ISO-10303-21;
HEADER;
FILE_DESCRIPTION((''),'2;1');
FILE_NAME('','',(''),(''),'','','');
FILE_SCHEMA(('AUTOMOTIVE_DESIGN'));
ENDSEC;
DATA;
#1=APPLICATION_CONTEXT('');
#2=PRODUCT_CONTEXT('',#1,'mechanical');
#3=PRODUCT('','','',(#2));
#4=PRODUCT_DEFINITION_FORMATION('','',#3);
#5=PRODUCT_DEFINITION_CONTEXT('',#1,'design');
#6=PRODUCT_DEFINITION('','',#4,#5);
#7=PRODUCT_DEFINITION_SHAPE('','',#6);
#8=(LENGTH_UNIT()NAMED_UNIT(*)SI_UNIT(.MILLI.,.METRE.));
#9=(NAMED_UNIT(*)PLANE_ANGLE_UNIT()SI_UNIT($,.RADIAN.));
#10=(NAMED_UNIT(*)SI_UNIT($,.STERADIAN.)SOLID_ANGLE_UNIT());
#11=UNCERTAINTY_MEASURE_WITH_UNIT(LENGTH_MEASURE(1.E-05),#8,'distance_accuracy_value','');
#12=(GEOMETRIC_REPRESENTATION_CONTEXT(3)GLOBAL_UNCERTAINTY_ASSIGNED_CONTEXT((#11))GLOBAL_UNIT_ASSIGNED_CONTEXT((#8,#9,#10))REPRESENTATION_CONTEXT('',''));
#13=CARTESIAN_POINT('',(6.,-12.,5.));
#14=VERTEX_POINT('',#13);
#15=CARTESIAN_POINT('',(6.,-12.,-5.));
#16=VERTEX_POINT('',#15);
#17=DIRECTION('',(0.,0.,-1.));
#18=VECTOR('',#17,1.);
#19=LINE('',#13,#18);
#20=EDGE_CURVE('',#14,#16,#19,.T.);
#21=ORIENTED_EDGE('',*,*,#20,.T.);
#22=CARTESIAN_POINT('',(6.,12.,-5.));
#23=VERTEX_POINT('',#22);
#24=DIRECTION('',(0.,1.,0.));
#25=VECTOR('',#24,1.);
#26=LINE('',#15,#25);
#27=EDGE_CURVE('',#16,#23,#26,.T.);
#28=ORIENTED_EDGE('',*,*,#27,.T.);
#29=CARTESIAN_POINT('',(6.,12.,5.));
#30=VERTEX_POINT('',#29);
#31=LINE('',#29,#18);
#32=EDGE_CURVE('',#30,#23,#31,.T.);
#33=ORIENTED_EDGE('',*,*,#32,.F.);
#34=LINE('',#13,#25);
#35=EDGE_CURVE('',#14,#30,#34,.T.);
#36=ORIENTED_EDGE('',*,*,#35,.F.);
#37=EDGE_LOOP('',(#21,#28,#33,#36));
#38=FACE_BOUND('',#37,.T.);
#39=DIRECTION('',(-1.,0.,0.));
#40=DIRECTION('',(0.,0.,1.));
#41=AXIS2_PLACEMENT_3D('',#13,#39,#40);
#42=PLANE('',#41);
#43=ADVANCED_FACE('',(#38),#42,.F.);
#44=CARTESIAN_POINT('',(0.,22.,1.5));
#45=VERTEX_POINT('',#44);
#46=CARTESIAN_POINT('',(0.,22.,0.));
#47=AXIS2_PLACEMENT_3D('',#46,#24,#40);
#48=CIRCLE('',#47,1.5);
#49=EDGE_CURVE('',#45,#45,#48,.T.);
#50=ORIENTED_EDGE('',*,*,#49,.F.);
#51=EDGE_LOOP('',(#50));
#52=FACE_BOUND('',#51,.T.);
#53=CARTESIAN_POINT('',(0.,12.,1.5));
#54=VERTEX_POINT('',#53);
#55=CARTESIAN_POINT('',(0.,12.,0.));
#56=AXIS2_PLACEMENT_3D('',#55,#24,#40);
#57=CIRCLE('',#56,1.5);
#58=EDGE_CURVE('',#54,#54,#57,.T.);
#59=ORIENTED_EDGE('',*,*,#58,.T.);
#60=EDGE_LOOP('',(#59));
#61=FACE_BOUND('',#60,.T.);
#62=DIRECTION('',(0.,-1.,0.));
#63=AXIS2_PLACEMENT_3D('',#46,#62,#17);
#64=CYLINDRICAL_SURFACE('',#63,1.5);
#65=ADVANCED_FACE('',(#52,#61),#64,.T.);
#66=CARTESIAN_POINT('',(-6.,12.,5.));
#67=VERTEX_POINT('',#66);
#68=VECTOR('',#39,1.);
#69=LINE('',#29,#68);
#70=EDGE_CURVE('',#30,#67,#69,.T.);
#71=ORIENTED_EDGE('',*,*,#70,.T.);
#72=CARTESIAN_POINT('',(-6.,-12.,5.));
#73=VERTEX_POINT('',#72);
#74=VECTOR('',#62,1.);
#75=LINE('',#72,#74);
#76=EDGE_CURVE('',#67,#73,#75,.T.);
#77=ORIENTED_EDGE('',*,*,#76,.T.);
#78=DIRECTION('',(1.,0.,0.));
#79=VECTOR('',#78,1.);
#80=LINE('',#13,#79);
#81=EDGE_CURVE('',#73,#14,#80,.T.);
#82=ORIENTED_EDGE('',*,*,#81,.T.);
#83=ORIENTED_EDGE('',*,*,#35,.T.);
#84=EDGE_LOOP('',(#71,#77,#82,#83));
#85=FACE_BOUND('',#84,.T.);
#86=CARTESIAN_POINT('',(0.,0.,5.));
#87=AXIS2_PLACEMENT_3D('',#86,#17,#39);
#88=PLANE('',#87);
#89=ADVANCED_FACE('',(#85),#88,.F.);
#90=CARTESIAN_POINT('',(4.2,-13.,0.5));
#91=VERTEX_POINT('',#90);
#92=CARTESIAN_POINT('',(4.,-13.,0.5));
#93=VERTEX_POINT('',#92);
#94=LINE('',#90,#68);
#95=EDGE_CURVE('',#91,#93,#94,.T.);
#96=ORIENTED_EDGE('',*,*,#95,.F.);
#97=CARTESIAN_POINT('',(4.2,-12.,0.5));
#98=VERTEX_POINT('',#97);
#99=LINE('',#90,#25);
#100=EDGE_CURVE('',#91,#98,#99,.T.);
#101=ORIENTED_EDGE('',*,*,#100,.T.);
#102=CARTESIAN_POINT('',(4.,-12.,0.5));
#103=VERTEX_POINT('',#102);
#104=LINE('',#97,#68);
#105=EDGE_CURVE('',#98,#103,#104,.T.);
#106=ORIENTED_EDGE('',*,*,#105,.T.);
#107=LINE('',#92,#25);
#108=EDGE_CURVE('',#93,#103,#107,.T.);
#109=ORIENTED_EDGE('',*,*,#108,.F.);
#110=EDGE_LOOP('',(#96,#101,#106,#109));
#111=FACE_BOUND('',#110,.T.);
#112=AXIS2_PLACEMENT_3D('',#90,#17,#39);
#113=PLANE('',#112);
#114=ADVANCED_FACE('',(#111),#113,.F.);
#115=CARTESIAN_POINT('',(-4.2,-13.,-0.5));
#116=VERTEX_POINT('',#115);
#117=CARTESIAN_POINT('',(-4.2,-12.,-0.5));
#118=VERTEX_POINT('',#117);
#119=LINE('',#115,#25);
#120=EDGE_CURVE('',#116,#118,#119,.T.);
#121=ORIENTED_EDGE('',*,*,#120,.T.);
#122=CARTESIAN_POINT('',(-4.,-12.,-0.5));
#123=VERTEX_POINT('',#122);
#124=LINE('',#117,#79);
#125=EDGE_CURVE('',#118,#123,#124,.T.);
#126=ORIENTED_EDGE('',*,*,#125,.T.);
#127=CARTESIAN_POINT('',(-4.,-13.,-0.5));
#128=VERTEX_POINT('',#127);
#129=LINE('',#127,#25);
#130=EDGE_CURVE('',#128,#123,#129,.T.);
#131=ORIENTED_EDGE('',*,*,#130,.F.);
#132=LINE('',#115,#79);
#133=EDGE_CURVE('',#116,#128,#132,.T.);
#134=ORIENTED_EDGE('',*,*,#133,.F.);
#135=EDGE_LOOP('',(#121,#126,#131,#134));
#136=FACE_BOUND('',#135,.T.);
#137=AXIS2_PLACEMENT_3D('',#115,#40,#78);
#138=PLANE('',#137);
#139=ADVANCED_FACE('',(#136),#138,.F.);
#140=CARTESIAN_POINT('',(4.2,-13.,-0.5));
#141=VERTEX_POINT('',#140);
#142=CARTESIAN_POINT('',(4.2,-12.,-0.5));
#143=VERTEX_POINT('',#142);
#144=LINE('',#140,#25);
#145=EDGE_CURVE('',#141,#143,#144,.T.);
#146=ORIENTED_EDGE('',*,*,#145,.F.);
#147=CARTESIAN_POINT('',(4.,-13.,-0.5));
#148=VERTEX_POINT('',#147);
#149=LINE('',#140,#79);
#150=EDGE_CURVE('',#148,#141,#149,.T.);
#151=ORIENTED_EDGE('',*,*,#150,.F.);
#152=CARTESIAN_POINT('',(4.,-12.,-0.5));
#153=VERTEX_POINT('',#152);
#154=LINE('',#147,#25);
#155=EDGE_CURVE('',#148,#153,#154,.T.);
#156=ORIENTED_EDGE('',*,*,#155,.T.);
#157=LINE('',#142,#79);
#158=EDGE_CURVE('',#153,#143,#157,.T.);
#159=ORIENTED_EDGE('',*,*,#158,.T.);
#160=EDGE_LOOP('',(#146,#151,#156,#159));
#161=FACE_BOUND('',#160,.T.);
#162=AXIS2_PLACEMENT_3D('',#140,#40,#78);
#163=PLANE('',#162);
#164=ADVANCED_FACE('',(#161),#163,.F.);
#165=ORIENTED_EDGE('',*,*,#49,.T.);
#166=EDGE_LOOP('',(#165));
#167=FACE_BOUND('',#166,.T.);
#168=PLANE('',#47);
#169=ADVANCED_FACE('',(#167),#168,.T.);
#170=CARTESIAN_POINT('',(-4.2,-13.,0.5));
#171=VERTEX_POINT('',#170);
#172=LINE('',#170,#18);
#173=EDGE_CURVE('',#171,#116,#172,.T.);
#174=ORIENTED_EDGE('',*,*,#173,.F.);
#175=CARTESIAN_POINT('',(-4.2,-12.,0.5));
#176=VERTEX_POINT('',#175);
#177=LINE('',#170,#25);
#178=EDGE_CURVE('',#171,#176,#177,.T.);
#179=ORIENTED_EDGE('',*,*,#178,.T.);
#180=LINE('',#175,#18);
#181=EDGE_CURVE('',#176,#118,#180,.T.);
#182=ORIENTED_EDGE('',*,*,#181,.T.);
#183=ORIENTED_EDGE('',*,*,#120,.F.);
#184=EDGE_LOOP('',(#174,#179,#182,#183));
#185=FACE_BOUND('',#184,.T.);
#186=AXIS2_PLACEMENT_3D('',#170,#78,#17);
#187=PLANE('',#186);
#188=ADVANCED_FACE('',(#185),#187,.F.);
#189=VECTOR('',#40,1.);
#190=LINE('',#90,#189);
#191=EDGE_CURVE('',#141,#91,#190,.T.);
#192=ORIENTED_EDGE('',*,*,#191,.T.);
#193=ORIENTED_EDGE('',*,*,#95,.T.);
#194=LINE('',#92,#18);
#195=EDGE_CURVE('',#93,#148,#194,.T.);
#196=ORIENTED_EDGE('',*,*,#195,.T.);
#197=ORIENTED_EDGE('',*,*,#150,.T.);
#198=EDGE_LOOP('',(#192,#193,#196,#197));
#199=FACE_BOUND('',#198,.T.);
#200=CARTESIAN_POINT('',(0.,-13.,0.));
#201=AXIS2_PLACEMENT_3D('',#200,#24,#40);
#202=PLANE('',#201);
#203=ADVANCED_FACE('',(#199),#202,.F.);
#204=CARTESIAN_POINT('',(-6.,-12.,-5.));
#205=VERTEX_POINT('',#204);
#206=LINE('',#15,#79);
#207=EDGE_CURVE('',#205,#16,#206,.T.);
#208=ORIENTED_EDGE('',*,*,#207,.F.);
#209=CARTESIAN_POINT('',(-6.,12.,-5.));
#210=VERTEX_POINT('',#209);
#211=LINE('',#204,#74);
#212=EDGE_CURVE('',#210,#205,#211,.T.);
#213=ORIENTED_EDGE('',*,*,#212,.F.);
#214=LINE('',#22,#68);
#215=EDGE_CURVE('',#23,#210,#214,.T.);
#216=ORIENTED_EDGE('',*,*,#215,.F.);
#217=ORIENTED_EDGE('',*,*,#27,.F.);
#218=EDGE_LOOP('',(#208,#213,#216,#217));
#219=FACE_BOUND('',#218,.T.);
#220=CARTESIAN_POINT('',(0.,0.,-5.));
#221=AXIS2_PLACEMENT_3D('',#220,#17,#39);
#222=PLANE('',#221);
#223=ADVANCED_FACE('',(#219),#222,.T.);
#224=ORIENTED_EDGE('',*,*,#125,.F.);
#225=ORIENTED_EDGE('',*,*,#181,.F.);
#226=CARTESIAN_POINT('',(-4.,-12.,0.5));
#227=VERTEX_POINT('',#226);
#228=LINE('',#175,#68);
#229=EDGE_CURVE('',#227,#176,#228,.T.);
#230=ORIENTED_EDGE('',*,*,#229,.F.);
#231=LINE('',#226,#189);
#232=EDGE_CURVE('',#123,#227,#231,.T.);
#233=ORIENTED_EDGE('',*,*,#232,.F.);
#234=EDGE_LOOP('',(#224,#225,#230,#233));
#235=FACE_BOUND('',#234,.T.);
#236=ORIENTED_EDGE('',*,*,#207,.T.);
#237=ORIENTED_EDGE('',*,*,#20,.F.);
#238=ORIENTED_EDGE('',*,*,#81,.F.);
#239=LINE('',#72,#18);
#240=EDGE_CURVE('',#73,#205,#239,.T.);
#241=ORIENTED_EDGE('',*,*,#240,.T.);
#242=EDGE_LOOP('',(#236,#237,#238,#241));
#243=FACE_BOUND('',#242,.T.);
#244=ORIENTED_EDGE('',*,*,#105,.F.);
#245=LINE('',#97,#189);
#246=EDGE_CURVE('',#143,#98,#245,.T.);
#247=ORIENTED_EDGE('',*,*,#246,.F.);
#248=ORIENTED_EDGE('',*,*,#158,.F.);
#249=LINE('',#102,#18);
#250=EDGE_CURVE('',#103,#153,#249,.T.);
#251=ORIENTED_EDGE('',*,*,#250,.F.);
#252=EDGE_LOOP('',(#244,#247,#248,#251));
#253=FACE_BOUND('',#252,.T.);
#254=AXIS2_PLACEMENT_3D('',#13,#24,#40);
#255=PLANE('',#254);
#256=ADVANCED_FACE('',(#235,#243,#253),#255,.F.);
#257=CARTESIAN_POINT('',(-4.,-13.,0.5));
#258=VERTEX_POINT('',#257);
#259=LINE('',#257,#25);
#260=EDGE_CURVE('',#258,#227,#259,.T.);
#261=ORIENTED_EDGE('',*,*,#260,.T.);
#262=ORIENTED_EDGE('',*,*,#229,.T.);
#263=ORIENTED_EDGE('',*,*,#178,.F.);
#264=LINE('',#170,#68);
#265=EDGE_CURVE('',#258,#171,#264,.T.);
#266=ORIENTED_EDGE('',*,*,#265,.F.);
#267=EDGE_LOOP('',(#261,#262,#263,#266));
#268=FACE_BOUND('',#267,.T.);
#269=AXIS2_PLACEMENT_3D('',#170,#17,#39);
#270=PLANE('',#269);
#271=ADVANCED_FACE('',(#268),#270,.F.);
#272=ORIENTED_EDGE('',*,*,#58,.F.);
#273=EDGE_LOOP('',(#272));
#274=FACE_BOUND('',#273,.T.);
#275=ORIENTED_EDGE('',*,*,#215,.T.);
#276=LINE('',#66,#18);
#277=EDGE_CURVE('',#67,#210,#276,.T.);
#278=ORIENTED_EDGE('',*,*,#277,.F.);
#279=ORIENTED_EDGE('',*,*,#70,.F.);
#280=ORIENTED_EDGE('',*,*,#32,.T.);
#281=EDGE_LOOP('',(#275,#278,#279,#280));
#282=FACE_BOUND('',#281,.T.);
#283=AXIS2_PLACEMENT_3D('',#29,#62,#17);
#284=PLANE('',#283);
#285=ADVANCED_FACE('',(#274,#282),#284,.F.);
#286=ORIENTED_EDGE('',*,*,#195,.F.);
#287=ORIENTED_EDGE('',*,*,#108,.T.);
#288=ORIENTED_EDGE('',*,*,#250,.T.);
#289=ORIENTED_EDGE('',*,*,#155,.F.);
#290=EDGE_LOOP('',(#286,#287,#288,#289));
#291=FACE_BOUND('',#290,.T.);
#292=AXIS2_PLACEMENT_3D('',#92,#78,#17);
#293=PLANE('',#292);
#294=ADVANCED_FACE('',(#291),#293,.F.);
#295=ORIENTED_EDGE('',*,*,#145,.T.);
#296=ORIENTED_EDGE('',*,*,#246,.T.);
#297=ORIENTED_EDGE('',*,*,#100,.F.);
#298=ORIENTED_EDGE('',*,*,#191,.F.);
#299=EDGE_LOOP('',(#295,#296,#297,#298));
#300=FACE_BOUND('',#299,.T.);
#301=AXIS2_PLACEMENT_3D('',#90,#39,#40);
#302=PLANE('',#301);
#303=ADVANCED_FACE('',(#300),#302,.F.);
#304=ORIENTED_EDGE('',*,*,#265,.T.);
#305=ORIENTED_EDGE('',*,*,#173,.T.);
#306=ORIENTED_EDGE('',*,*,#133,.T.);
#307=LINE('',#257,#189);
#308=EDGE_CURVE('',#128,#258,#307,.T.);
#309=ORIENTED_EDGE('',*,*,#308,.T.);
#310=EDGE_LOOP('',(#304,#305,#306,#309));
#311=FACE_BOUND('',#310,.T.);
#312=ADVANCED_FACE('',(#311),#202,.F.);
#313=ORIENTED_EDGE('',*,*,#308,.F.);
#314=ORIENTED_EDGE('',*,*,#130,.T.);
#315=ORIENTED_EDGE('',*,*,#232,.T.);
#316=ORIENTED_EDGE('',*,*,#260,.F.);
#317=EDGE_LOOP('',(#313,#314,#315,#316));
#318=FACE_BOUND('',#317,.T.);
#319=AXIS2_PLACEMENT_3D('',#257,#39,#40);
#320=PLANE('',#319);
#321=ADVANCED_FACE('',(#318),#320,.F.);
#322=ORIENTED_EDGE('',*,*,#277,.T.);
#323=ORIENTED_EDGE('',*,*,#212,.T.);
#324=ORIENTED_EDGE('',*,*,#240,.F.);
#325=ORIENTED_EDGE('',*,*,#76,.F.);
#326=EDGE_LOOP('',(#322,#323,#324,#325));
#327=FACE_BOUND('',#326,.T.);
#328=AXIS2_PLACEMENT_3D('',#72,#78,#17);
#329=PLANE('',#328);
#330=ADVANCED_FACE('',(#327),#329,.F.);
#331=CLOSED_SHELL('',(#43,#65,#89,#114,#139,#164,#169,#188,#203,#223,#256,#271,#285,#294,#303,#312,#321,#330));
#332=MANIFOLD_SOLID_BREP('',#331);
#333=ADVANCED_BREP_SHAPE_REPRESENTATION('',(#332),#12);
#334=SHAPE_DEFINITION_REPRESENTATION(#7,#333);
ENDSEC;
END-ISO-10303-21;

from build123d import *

# Parameters (mm, degrees)
SKETCH1_W           = 24
SKETCH1_H           = 12
BOSS_EXTRUDE1_DEPTH = 5
SKETCH2_R           = 1.5
BOSS_EXTRUDE2_DEPTH = 10
SKETCH3_W           = 0.2
SKETCH3_H           = 1
BOSS_EXTRUDE3_DEPTH = 1


with BuildPart() as part:
    # Sketch1 → Boss-Extrude1 (new, symmetric)
    with BuildSketch(Plane(origin=(0, 0, 0), x_dir=(0, 1, 0), z_dir=(0, 0, 1))):
        Rectangle(SKETCH1_W, SKETCH1_H)
    extrude(amount=BOSS_EXTRUDE1_DEPTH, both=True)

    # Sketch2 → Boss-Extrude2 (add)
    with BuildSketch(Plane(origin=(0, 12, 0), x_dir=(-1, 0, 0), z_dir=(0, 1, 0))):
        with Locations(Location((0, 0, 0), (0, 0, 90))):
            Circle(SKETCH2_R)
    extrude(amount=BOSS_EXTRUDE2_DEPTH)

    # Sketch3 → Boss-Extrude3 (add)
    with BuildSketch(Plane.XZ.offset(12)):
        with Locations((4.1, 0)):
            Rectangle(SKETCH3_W, SKETCH3_H)
        with Locations((-4.1, 0)):
            Rectangle(SKETCH3_W, SKETCH3_H)
    extrude(amount=BOSS_EXTRUDE3_DEPTH)


solid = part.part
